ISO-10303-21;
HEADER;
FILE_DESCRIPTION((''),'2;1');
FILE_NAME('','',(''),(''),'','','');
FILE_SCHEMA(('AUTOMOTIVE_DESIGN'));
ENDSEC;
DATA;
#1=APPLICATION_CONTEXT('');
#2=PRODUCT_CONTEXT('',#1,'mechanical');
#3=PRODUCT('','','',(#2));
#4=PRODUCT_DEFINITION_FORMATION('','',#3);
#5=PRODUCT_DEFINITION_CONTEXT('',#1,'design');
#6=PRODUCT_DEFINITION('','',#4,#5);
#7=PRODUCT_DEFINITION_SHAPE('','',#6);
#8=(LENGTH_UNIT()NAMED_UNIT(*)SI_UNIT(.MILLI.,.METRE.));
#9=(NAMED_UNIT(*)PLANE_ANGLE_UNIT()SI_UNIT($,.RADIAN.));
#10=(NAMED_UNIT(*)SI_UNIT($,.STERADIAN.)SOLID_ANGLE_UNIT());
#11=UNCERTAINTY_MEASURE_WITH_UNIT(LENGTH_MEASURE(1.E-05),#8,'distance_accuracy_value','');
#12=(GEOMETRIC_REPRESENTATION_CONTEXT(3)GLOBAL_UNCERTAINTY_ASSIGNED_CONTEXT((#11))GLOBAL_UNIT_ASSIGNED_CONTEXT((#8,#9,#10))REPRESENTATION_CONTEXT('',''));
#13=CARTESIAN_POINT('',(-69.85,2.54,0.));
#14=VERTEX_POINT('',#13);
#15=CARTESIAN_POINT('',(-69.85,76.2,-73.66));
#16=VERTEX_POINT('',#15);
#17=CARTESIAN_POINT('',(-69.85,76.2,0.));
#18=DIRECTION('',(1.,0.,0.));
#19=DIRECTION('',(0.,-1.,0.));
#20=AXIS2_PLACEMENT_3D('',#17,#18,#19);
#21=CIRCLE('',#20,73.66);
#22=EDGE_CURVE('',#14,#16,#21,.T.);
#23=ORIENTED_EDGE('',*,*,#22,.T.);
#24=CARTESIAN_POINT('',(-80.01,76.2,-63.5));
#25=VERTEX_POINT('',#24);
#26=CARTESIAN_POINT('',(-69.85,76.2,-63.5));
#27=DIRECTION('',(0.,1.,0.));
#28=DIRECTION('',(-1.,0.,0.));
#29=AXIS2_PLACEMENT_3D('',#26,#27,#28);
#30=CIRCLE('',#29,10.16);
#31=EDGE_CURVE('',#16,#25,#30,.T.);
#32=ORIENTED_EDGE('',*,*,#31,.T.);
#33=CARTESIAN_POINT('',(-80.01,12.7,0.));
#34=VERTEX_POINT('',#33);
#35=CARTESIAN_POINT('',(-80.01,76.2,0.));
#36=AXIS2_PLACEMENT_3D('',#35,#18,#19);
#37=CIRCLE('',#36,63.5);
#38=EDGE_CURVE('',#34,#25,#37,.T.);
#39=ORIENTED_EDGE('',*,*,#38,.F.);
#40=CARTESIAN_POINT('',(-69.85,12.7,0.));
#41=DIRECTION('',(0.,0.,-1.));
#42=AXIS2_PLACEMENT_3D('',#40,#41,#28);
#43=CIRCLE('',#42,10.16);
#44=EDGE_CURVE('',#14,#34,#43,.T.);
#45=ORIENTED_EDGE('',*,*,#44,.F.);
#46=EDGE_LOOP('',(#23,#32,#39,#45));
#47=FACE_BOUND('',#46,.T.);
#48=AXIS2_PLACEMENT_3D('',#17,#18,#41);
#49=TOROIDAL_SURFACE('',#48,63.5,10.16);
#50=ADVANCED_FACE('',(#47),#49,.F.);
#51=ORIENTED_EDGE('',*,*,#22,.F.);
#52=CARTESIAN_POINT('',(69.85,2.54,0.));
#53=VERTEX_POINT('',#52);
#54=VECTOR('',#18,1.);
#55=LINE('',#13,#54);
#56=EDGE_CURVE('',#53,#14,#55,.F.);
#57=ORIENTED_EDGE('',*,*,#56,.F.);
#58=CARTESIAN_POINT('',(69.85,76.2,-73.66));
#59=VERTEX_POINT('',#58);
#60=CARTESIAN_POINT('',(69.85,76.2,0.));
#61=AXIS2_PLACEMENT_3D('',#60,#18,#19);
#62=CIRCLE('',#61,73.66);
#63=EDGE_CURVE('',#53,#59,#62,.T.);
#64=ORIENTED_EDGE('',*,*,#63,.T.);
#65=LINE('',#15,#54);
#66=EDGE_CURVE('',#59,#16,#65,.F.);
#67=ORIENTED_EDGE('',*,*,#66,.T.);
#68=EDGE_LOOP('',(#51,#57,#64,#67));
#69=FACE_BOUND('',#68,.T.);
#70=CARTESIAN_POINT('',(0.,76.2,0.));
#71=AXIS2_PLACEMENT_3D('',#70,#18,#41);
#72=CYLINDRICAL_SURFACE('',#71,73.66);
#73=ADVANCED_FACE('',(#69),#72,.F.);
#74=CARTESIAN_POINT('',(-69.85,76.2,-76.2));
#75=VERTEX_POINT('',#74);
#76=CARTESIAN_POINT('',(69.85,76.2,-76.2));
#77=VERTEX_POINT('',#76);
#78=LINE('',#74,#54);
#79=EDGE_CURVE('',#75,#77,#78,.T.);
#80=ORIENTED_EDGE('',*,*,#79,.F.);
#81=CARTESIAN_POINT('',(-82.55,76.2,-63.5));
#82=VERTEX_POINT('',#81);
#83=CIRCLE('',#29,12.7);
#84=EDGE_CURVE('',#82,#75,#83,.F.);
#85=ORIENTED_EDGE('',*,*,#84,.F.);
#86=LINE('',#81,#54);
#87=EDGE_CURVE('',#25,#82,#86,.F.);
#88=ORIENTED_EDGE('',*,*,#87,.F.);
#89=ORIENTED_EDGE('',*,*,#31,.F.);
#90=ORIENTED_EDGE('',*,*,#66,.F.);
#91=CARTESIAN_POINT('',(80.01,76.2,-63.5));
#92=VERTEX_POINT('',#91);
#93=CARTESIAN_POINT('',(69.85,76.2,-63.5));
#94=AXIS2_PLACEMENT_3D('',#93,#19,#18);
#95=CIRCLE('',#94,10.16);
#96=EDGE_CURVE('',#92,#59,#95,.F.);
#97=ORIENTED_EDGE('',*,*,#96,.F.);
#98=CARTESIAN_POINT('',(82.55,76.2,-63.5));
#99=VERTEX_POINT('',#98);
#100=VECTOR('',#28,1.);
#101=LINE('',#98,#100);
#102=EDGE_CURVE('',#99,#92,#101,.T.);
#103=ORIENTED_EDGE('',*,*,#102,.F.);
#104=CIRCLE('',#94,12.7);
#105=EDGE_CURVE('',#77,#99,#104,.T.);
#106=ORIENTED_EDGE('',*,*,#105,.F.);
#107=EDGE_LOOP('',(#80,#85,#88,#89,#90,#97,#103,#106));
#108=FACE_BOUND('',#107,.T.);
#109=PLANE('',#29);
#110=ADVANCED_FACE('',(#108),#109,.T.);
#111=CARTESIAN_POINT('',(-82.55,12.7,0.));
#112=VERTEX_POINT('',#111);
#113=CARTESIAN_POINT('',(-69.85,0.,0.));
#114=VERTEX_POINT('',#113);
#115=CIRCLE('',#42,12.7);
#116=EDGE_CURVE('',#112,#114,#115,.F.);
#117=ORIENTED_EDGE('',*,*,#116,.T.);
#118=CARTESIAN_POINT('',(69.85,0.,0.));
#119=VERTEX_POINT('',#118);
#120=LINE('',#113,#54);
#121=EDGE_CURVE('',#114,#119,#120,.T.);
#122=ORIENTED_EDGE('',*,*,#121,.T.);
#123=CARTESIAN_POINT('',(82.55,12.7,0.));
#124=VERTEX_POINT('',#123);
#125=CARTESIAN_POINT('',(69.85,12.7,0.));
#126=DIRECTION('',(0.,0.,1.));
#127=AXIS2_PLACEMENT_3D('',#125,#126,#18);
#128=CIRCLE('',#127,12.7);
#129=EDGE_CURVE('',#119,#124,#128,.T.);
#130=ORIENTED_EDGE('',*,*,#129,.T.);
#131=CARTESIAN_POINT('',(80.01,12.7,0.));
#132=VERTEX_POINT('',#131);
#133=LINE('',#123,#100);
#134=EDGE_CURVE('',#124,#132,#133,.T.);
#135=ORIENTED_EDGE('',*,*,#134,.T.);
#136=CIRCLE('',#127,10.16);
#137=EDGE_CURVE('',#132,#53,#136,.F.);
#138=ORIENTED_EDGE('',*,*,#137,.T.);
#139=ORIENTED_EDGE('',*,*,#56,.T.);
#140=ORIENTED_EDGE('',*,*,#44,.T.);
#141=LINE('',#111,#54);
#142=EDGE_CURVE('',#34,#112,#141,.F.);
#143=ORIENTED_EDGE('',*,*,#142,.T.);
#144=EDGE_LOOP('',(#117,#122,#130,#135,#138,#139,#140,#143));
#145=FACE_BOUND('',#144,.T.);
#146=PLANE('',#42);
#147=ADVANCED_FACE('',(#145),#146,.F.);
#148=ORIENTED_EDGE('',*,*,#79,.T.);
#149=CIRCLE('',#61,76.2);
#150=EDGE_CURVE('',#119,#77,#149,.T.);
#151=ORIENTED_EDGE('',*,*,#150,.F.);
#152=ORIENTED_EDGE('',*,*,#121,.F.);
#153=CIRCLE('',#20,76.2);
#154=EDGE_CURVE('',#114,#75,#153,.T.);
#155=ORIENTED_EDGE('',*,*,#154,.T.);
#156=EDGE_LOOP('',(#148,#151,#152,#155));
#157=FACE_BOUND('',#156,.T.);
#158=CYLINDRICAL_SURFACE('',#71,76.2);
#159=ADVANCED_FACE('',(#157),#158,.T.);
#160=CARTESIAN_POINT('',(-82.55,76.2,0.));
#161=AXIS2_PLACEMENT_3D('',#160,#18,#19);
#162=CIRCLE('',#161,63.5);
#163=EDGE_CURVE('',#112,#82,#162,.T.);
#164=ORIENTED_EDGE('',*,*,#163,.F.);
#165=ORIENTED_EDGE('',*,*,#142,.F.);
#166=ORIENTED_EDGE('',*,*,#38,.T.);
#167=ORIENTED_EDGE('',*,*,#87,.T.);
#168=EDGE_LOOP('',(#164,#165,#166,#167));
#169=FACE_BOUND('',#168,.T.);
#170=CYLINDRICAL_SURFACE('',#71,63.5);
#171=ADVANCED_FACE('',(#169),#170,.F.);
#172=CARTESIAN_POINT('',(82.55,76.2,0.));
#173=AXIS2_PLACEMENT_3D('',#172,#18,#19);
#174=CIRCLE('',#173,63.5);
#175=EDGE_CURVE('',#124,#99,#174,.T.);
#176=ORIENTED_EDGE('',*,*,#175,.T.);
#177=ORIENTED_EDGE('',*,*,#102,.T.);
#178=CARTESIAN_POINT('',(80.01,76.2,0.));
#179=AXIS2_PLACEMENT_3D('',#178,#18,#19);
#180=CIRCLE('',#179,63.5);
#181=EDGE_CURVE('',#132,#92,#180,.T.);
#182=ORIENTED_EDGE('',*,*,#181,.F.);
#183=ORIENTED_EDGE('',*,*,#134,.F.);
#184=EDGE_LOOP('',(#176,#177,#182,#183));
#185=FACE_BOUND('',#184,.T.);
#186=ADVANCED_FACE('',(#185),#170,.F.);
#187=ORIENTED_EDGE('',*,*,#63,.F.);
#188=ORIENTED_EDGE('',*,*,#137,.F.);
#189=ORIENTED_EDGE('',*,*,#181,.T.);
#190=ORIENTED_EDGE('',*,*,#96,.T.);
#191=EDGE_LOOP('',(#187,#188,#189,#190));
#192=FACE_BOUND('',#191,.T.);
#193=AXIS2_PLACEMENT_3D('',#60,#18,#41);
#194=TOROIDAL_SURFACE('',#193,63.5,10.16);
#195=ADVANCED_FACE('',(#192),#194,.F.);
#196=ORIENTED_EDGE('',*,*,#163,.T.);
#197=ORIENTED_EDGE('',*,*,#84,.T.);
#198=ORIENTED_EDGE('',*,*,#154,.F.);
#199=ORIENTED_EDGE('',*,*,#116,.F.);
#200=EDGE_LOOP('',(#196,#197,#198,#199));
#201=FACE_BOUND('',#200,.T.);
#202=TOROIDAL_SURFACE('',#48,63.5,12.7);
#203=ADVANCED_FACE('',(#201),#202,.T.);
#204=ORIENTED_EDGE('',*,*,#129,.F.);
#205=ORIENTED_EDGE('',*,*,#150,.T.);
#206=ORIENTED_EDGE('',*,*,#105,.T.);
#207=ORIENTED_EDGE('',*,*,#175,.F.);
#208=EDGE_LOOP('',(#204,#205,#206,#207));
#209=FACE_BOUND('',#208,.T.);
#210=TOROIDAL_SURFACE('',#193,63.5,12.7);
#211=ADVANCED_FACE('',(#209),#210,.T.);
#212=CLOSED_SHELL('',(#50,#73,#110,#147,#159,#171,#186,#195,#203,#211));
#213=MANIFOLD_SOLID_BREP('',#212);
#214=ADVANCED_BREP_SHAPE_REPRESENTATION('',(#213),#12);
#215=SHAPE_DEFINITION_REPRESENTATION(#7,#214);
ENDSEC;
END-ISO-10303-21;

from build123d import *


with BuildPart() as part:
    # Sweep1: sweep along a path in Sketch2
    with BuildLine(Plane(origin=(0, 0, 0), x_dir=(0, 0, -1), z_dir=(1, 0, 0))) as sweep1_path:
        ThreePointArc((0, 0), (53.881536726, 22.318463274), (76.2, 76.2))
    # Sketch1 → Sweep1 (sweep)
    with BuildSketch(Plane.XY):
        with BuildLine():
            Line((-69.85, 0), (69.85, 0))
            ThreePointArc((69.85, 0), (78.830256121, 3.719743879), (82.55, 12.7))
            Line((82.55, 12.7), (80.01, 12.7))
            ThreePointArc((80.01, 12.7), (77.034204897, 5.515795103), (69.85, 2.54))
            Line((69.85, 2.54), (-69.85, 2.54))
            ThreePointArc((-69.85, 2.54), (-77.034204897, 5.515795103), (-80.01, 12.7))
            Line((-80.01, 12.7), (-82.55, 12.7))
            ThreePointArc((-82.55, 12.7), (-78.830256121, 3.719743879), (-69.85, 0))
        make_face()
    sweep(path=sweep1_path.line)


solid = part.part
